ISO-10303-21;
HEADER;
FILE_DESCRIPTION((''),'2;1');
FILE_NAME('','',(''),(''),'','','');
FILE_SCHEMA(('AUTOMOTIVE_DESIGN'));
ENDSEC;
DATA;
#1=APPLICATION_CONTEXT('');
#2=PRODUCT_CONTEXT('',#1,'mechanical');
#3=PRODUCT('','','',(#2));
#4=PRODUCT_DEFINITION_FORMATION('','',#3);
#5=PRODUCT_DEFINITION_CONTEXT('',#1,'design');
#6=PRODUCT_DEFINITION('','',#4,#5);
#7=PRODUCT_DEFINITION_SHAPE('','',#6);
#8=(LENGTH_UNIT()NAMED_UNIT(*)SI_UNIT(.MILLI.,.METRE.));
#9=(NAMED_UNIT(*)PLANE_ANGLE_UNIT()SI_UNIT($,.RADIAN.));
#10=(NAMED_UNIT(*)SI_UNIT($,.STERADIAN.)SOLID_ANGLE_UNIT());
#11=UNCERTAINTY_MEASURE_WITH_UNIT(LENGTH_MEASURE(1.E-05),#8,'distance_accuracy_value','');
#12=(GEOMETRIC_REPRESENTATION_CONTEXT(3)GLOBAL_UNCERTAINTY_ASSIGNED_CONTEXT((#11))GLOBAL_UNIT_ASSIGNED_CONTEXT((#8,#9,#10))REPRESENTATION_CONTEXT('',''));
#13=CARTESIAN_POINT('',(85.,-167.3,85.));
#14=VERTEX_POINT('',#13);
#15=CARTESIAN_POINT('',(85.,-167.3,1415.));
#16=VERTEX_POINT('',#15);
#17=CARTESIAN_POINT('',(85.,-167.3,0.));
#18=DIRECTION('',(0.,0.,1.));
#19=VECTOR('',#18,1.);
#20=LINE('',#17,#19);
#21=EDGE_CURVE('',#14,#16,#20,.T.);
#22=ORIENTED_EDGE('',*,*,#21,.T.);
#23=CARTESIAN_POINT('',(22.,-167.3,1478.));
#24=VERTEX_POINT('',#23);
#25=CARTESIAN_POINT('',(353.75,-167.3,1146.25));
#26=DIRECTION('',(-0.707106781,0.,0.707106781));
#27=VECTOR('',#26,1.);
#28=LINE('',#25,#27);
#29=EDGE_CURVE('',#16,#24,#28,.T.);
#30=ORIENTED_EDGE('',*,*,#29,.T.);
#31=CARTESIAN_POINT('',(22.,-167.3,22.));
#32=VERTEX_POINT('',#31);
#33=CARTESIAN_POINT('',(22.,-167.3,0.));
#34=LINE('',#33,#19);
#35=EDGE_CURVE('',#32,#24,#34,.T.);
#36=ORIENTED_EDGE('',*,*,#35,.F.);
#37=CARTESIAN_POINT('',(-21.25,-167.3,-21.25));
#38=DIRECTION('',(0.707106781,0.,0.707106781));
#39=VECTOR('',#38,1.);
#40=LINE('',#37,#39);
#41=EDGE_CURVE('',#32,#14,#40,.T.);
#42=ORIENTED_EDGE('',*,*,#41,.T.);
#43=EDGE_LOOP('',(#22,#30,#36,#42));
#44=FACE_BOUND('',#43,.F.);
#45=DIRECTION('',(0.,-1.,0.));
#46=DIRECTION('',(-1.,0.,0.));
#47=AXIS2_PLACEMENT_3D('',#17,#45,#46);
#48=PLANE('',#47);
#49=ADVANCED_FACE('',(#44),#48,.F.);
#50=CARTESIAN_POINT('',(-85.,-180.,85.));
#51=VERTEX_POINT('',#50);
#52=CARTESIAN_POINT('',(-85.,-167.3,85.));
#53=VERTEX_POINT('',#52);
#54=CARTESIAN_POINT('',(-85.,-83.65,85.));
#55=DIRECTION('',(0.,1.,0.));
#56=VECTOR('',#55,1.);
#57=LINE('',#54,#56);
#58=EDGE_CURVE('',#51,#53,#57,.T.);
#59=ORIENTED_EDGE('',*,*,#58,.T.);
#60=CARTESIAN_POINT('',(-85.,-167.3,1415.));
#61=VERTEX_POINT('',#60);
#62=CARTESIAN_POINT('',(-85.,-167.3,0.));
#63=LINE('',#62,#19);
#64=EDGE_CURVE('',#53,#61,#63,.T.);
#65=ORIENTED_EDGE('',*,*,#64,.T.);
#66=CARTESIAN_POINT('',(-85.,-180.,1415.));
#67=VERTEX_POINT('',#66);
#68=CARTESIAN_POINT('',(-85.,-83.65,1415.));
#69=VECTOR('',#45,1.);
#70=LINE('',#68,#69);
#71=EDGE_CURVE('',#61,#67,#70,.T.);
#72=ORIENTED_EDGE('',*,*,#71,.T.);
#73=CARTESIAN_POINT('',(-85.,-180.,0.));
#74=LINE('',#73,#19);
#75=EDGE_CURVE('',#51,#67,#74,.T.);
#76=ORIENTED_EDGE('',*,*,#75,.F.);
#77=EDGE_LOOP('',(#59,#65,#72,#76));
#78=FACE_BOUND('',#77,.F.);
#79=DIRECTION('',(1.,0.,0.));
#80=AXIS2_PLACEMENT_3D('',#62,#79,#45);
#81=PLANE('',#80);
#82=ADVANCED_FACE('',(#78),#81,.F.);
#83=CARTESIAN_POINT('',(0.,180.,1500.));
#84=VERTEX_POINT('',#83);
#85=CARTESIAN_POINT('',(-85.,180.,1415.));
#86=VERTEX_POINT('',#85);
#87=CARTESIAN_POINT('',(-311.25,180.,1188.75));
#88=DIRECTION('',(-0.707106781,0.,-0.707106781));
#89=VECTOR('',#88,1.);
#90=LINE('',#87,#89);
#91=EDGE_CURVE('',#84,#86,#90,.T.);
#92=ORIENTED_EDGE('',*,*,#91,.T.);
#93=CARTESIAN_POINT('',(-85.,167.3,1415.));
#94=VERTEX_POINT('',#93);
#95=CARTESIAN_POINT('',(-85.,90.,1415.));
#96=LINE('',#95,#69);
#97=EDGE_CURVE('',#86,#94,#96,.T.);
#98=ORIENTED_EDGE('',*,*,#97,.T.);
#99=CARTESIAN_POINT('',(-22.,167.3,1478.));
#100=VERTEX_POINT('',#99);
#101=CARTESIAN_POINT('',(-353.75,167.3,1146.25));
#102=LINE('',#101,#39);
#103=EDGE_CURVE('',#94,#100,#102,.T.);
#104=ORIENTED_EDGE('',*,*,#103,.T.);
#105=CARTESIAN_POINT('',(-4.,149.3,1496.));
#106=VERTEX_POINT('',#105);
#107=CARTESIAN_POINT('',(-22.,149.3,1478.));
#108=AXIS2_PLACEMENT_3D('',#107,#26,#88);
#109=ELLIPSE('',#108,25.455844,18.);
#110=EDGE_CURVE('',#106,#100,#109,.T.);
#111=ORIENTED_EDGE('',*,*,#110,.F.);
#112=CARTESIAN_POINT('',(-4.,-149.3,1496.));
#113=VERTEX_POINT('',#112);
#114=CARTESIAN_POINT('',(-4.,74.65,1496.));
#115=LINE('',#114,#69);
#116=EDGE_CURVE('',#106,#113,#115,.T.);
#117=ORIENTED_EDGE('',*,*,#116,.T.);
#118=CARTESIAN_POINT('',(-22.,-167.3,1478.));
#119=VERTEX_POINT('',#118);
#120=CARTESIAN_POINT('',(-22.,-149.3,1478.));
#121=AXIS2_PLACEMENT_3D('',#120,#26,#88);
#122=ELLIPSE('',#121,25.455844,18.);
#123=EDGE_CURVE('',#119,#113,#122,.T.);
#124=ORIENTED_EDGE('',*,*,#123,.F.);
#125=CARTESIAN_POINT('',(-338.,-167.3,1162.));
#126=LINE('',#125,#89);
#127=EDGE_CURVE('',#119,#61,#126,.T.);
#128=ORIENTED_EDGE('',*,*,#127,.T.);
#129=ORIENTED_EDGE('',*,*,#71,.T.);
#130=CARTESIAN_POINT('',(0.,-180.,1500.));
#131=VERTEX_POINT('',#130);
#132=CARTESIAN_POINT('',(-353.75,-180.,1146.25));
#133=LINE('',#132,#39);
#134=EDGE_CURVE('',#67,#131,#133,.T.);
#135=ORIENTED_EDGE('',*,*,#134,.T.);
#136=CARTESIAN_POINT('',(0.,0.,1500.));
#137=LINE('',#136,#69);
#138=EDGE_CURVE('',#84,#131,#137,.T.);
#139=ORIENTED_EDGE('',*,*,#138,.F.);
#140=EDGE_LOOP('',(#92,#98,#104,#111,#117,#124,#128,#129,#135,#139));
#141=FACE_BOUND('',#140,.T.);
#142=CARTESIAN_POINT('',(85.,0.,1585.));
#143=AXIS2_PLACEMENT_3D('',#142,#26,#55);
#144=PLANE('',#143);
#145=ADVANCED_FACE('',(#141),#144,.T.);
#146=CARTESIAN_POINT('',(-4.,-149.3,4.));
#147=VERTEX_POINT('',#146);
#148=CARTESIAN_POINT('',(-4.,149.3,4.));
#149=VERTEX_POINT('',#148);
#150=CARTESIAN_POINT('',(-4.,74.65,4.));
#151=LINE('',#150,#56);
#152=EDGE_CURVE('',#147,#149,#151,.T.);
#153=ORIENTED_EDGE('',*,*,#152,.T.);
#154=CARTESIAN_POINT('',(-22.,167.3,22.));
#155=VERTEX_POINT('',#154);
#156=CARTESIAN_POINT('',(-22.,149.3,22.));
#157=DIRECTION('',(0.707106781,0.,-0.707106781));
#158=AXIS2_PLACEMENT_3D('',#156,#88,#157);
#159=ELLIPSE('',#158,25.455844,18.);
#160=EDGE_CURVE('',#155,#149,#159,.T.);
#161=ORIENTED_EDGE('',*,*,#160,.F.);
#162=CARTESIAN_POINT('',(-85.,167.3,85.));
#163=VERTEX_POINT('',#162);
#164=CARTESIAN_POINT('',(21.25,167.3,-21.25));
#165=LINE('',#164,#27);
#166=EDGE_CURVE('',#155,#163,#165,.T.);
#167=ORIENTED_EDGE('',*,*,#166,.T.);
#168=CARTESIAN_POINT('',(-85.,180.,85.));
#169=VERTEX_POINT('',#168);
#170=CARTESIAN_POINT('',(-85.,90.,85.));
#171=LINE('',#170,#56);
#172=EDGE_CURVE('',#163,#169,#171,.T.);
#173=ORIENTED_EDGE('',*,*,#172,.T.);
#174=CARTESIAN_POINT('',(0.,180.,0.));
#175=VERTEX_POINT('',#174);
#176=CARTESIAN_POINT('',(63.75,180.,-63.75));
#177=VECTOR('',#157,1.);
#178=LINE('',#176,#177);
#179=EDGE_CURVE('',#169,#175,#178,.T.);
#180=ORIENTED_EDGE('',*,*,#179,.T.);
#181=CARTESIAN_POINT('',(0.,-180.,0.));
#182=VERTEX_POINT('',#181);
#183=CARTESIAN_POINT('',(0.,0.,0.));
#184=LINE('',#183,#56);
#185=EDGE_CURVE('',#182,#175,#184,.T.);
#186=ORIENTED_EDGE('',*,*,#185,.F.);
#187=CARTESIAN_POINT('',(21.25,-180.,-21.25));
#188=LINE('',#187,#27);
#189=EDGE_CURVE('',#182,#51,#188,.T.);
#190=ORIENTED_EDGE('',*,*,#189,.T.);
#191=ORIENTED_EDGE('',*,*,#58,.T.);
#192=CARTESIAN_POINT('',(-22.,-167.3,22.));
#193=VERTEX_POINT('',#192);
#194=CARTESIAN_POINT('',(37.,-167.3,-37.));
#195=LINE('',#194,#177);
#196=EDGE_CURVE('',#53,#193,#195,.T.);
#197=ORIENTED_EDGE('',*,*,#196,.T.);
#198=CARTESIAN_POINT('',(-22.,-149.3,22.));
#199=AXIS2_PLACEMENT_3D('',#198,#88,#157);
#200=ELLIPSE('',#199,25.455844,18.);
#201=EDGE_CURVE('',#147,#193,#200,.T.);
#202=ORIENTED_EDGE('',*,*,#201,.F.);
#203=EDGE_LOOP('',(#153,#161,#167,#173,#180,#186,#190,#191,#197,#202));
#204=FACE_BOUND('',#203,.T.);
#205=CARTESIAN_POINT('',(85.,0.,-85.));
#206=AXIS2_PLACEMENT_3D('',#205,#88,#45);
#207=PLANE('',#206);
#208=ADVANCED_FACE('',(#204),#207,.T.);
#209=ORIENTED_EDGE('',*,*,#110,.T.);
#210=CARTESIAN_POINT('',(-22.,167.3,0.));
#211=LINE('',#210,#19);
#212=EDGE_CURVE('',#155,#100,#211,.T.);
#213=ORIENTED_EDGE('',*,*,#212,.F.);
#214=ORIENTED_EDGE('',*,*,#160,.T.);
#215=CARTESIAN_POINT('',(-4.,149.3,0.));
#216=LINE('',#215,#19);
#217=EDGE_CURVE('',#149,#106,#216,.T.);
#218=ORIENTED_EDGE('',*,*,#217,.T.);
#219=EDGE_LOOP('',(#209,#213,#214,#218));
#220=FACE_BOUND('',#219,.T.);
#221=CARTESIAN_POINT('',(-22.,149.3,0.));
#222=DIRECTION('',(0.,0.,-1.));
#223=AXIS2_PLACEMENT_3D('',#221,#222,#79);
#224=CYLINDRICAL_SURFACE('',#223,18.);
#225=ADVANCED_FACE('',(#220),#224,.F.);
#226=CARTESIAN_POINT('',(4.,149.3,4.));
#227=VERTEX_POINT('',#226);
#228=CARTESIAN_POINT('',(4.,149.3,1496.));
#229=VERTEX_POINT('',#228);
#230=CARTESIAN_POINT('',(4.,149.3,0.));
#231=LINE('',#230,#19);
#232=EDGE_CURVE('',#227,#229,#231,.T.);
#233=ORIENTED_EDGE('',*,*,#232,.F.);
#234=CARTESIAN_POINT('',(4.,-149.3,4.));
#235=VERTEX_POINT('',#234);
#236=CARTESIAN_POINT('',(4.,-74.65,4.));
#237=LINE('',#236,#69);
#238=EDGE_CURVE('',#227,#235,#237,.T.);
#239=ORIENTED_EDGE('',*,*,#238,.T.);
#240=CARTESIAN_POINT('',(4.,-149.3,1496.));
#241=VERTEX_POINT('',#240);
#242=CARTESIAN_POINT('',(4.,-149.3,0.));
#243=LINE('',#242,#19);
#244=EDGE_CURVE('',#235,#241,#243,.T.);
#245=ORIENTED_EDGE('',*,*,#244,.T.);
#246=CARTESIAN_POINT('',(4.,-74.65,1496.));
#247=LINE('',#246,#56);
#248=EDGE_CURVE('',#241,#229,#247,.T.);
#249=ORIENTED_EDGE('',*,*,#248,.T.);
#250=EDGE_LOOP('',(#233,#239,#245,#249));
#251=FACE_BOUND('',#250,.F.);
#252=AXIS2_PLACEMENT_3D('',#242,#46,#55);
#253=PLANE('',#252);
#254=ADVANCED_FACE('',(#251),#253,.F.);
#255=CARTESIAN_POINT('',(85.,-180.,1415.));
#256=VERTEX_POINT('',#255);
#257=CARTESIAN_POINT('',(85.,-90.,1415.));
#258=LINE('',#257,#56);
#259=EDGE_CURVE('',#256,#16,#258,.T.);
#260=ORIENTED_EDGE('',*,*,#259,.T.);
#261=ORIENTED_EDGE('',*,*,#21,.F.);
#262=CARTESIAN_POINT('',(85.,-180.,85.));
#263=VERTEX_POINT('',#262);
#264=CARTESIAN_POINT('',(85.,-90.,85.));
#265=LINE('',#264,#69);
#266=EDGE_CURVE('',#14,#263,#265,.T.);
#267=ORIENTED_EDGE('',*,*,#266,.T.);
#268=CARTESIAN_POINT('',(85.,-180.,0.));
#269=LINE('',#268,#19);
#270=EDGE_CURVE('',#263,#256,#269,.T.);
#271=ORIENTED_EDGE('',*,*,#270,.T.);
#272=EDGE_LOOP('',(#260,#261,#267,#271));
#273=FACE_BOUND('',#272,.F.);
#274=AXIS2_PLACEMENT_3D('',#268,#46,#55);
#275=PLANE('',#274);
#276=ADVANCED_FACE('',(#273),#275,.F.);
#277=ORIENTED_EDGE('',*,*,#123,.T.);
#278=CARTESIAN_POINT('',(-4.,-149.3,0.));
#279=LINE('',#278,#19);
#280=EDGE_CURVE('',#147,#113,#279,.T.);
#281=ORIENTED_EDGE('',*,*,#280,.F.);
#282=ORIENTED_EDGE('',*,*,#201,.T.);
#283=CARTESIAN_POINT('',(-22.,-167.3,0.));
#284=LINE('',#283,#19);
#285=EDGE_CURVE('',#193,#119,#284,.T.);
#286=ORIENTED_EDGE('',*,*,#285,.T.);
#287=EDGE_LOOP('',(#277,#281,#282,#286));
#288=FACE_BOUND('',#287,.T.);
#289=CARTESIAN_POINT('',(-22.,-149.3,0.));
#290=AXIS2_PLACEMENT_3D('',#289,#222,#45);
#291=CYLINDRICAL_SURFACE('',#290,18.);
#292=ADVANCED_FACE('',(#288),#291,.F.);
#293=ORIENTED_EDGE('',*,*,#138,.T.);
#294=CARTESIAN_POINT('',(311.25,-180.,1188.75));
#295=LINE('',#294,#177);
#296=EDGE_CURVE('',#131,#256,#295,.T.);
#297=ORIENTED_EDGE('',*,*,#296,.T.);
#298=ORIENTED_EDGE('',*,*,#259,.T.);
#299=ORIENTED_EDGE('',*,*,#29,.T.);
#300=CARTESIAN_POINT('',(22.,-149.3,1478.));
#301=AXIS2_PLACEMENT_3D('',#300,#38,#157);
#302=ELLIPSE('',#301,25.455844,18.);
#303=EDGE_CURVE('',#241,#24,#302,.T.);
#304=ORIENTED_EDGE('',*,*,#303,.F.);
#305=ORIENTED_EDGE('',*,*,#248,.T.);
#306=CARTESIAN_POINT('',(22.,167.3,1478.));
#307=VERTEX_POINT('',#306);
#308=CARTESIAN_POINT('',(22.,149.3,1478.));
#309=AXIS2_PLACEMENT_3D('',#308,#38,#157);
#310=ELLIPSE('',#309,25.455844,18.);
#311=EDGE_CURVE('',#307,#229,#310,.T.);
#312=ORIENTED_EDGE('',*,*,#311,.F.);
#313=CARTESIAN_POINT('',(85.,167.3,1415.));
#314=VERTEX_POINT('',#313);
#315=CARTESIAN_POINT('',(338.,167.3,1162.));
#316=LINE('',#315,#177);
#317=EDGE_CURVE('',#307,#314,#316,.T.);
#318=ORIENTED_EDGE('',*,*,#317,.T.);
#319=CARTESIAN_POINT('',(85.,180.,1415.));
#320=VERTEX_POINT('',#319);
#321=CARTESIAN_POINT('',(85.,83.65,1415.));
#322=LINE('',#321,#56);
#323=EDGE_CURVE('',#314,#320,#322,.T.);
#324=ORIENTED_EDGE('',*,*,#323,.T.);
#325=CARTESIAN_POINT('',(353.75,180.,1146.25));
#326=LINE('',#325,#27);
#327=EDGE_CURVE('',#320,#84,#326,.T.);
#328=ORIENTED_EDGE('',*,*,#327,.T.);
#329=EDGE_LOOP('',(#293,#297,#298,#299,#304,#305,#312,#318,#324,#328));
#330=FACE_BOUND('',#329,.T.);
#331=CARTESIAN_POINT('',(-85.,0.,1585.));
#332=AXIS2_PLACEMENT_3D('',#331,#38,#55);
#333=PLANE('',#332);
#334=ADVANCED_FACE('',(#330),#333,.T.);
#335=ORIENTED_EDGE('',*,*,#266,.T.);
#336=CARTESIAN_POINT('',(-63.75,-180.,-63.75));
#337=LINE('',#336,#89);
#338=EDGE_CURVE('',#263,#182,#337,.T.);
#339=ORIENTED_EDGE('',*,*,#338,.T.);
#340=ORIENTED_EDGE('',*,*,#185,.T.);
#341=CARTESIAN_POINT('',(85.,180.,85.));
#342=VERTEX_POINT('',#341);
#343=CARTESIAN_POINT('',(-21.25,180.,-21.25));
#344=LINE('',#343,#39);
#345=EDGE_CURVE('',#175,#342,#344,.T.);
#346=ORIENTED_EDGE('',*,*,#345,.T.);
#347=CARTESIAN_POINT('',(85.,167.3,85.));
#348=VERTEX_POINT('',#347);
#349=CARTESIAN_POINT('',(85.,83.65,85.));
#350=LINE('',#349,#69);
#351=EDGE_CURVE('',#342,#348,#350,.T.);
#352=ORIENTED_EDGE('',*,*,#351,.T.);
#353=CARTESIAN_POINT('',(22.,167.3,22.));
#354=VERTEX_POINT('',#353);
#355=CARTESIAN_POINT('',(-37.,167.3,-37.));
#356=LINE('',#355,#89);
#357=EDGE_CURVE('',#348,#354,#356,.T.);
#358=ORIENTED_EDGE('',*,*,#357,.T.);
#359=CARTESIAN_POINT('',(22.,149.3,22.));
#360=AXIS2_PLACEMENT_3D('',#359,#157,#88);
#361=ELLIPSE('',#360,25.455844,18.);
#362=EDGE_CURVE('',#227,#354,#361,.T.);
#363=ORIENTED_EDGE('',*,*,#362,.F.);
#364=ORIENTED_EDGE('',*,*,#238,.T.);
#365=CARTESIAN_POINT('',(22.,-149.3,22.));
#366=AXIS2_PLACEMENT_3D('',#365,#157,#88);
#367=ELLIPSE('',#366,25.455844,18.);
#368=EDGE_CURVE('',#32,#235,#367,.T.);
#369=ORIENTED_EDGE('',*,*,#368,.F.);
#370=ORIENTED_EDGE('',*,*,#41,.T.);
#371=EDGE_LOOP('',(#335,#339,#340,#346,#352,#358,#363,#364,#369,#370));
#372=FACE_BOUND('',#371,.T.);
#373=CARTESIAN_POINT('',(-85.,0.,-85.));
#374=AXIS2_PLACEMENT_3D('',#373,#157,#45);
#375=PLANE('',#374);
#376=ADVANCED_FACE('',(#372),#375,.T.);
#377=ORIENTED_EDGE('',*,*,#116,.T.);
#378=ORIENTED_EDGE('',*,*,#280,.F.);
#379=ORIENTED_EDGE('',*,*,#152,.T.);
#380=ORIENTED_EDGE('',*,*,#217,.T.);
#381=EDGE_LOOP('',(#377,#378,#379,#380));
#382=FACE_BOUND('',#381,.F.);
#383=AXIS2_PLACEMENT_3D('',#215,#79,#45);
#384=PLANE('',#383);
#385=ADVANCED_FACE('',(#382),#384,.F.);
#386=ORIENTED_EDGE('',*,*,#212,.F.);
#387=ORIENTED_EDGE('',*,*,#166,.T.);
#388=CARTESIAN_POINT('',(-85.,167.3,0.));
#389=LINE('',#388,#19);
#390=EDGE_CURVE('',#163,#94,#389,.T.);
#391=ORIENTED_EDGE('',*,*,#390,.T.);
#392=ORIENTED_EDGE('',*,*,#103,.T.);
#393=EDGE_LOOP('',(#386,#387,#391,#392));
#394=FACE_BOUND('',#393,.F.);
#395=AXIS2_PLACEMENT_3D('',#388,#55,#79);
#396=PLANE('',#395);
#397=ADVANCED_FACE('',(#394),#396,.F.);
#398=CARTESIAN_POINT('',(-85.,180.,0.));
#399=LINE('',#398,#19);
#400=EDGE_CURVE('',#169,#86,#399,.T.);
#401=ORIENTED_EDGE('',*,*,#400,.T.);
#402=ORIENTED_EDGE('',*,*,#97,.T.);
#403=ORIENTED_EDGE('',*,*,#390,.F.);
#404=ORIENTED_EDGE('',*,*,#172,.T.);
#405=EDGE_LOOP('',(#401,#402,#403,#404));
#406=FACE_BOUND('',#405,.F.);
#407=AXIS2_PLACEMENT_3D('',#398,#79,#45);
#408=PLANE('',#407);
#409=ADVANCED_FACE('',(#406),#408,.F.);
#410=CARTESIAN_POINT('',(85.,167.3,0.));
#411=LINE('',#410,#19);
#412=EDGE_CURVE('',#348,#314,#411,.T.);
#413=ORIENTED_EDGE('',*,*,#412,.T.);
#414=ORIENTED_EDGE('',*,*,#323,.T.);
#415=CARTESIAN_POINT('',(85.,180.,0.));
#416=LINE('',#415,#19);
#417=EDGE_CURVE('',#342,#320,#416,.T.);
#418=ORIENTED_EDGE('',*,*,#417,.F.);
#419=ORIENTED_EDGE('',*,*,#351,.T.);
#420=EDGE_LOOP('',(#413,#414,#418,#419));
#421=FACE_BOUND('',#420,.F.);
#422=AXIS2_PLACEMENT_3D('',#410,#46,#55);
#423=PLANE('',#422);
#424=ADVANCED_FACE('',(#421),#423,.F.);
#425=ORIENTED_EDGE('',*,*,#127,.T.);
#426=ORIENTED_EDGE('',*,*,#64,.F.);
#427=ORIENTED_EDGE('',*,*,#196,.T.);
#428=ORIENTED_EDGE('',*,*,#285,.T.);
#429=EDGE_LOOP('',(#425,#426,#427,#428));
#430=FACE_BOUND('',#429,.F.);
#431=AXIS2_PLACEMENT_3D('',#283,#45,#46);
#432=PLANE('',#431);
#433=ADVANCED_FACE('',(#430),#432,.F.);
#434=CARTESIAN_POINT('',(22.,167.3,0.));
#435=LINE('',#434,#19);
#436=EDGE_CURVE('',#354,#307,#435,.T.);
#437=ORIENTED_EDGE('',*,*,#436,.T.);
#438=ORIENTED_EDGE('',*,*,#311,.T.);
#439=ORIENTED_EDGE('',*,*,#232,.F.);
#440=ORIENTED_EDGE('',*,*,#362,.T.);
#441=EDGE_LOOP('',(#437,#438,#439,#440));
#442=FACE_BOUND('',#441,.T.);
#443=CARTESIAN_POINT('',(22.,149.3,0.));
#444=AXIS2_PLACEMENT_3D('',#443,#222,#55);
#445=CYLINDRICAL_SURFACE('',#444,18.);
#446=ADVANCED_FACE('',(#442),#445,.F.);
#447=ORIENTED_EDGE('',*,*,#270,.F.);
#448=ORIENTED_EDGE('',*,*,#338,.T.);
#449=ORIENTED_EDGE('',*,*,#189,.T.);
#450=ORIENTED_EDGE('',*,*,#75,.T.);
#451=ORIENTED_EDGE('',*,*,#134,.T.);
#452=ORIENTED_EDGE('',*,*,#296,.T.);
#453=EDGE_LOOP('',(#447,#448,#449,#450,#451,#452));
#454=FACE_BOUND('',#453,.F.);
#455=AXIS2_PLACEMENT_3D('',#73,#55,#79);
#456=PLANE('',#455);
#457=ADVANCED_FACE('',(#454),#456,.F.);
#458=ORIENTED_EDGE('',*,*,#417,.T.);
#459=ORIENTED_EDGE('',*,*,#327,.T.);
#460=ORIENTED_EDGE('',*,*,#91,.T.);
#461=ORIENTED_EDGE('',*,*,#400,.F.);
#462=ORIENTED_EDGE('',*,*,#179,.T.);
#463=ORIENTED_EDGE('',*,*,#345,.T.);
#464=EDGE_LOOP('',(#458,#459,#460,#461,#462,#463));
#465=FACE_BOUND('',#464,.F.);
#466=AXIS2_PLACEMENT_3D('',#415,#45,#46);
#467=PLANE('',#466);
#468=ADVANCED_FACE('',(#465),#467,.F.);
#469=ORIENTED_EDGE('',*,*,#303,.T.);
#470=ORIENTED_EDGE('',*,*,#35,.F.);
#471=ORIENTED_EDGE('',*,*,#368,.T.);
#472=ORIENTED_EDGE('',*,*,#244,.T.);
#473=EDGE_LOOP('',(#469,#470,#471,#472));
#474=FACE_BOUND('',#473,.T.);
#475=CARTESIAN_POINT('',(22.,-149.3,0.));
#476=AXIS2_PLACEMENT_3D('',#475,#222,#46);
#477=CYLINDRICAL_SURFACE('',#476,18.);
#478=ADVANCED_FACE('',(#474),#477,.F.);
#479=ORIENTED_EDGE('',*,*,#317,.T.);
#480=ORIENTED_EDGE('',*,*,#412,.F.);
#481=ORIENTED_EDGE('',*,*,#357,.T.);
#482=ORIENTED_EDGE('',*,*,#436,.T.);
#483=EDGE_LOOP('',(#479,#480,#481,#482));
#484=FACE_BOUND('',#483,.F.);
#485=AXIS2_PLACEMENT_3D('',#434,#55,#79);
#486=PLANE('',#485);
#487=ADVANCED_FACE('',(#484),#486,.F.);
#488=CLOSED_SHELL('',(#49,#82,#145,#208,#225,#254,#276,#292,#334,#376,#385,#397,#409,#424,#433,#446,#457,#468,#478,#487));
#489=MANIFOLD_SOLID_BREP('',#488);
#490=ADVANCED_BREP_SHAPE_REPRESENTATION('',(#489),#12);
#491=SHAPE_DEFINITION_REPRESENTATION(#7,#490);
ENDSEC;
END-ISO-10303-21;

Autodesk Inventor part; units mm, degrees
ref_plane "Start Plane" through (0, 0, 0) normal (0, 0, 1) x (1, 0, 0)
ref_plane "End Plane" through (0, 0, 1500) normal (0, 0, 1) x (1, 0, 0)
sketch "Sketch" plane through (0, 0, 0) normal (0, 0, 1) x (1, 0, 0)
  line L0 (-85, 167.3) -> (-22, 167.3)
  line L1 (-85, 180) -> (-85, 167.3)
  line L2 (85, 180) -> (-85, 180)
  line L3 (85, 167.3) -> (85, 180)
  line L4 (22, 167.3) -> (85, 167.3)
  line L5 (4, -149.3) -> (4, 149.3)
  line L6 (85, -167.3) -> (22, -167.3)
  line L7 (85, -180) -> (85, -167.3)
  line L8 (-85, -167.3) -> (-85, -180)
  line L9 (-22, -167.3) -> (-85, -167.3)
  line L10 (-4, 149.3) -> (-4, -149.3)
  line L11 (0, -252) -> (0, 252) construction
  line L12 (-4, -167.3) -> (4, -167.3) construction
  arc A0 (-22, -167.3) -> (-4, -149.3) centre (-22, -149.3) ccw
  arc A1 (-4, 149.3) -> (-22, 167.3) centre (-22, 149.3) ccw
  arc A2 (22, 167.3) -> (4, 149.3) centre (22, 149.3) ccw
  arc A3 (4, -149.3) -> (22, -167.3) centre (22, -149.3) ccw
  line L13 (-119, 0) -> (119, 0) construction
  line L14 (-85, -180) -> (85, -180)
  point P0 (-4, 167.3)
  point P1 (4, 167.3)
  point P2 (0, 0)
  point P3 (0, -167.3)
  point P4 (0, 0)
  dimension "d1" = 360
  dimension "d3" = 12.7
  dimension "d5" = 8
  dimension "d7" = 170
  dimension "d13" = 18
  dimension "d14" = 180
  dimension "d15" = 85
extrude "Body" add sketch "Sketch" along normal up to surface (1500 mm away) from surface at 0
sketch "Sketch3" plane through (0, 0, 0) normal (0, 0, 1) x (1, 0, 0)
  line L0 (0, 0) -> (10, 0)
ref_plane "Work Plane3" through (0, 0, 0) normal (0, -1, 0) x (1, 0, 0)
ref_plane "Work Plane4" through (-85, 0, -85) normal (0.7071, 0, -0.7071) x (-0.7071, 0, -0.7071)
split "Split1" plane through (-85, 0, -85) removes the side toward (0.7071, 0, -0.7071)
ref_plane "Work Plane5" through (85, 0, -85) normal (-0.7071, 0, -0.7071) x (-0.7071, 0, 0.7071)
split "Split2" plane through (85, 0, -85) removes the side toward (-0.7071, 0, -0.7071)
ref_plane "Work Plane6" through (85, 0, 1585) normal (-0.7071, 0, 0.7071) x (0.7071, 0, 0.7071)
split "Split3" plane through (85, 0, 1585) removes the side toward (-0.7071, 0, 0.7071)
ref_plane "Work Plane7" through (-85, 0, 1585) normal (0.7071, 0, 0.7071) x (0.7071, 0, -0.7071)
split "Split4" plane through (-85, 0, 1585) removes the side toward (0.7071, 0, 0.7071)
sketch "Sketch4" plane through (0, 0, 0) normal (0, -1, 0) x (1, 0, 0)
  line L0 (-2, 0) -> (12, 0) projected
  line L1 (-2, 1500) -> (12, 1500) projected
  dimension "d19" = 1500
equation "\"d1\" = ParH"
equation "\"d3\" = t2"
equation "\"d5\" = t1"
equation "\"d7\" = b"
equation "\"d13\" = R1"
equation "\"d14\" = 0.5 * d1"
equation "\"d15\" = 0.5 * d7"
equation "\"d8\" = G_L"
equation "\"b\" = 170"
equation "\"ParH\" = 360"
equation "\"R1\" = 18"
equation "\"G_L\" = d19"
equation "\"t1\" = 8"
equation "\"t2\" = 12.7"
equation "\"G_OFFSET_START\" = 0"
equation "\"G_OFFSET_END\" = 0"
properties part number "DIN 1025 - IPE 360-1500" material "Steel, Mild"
